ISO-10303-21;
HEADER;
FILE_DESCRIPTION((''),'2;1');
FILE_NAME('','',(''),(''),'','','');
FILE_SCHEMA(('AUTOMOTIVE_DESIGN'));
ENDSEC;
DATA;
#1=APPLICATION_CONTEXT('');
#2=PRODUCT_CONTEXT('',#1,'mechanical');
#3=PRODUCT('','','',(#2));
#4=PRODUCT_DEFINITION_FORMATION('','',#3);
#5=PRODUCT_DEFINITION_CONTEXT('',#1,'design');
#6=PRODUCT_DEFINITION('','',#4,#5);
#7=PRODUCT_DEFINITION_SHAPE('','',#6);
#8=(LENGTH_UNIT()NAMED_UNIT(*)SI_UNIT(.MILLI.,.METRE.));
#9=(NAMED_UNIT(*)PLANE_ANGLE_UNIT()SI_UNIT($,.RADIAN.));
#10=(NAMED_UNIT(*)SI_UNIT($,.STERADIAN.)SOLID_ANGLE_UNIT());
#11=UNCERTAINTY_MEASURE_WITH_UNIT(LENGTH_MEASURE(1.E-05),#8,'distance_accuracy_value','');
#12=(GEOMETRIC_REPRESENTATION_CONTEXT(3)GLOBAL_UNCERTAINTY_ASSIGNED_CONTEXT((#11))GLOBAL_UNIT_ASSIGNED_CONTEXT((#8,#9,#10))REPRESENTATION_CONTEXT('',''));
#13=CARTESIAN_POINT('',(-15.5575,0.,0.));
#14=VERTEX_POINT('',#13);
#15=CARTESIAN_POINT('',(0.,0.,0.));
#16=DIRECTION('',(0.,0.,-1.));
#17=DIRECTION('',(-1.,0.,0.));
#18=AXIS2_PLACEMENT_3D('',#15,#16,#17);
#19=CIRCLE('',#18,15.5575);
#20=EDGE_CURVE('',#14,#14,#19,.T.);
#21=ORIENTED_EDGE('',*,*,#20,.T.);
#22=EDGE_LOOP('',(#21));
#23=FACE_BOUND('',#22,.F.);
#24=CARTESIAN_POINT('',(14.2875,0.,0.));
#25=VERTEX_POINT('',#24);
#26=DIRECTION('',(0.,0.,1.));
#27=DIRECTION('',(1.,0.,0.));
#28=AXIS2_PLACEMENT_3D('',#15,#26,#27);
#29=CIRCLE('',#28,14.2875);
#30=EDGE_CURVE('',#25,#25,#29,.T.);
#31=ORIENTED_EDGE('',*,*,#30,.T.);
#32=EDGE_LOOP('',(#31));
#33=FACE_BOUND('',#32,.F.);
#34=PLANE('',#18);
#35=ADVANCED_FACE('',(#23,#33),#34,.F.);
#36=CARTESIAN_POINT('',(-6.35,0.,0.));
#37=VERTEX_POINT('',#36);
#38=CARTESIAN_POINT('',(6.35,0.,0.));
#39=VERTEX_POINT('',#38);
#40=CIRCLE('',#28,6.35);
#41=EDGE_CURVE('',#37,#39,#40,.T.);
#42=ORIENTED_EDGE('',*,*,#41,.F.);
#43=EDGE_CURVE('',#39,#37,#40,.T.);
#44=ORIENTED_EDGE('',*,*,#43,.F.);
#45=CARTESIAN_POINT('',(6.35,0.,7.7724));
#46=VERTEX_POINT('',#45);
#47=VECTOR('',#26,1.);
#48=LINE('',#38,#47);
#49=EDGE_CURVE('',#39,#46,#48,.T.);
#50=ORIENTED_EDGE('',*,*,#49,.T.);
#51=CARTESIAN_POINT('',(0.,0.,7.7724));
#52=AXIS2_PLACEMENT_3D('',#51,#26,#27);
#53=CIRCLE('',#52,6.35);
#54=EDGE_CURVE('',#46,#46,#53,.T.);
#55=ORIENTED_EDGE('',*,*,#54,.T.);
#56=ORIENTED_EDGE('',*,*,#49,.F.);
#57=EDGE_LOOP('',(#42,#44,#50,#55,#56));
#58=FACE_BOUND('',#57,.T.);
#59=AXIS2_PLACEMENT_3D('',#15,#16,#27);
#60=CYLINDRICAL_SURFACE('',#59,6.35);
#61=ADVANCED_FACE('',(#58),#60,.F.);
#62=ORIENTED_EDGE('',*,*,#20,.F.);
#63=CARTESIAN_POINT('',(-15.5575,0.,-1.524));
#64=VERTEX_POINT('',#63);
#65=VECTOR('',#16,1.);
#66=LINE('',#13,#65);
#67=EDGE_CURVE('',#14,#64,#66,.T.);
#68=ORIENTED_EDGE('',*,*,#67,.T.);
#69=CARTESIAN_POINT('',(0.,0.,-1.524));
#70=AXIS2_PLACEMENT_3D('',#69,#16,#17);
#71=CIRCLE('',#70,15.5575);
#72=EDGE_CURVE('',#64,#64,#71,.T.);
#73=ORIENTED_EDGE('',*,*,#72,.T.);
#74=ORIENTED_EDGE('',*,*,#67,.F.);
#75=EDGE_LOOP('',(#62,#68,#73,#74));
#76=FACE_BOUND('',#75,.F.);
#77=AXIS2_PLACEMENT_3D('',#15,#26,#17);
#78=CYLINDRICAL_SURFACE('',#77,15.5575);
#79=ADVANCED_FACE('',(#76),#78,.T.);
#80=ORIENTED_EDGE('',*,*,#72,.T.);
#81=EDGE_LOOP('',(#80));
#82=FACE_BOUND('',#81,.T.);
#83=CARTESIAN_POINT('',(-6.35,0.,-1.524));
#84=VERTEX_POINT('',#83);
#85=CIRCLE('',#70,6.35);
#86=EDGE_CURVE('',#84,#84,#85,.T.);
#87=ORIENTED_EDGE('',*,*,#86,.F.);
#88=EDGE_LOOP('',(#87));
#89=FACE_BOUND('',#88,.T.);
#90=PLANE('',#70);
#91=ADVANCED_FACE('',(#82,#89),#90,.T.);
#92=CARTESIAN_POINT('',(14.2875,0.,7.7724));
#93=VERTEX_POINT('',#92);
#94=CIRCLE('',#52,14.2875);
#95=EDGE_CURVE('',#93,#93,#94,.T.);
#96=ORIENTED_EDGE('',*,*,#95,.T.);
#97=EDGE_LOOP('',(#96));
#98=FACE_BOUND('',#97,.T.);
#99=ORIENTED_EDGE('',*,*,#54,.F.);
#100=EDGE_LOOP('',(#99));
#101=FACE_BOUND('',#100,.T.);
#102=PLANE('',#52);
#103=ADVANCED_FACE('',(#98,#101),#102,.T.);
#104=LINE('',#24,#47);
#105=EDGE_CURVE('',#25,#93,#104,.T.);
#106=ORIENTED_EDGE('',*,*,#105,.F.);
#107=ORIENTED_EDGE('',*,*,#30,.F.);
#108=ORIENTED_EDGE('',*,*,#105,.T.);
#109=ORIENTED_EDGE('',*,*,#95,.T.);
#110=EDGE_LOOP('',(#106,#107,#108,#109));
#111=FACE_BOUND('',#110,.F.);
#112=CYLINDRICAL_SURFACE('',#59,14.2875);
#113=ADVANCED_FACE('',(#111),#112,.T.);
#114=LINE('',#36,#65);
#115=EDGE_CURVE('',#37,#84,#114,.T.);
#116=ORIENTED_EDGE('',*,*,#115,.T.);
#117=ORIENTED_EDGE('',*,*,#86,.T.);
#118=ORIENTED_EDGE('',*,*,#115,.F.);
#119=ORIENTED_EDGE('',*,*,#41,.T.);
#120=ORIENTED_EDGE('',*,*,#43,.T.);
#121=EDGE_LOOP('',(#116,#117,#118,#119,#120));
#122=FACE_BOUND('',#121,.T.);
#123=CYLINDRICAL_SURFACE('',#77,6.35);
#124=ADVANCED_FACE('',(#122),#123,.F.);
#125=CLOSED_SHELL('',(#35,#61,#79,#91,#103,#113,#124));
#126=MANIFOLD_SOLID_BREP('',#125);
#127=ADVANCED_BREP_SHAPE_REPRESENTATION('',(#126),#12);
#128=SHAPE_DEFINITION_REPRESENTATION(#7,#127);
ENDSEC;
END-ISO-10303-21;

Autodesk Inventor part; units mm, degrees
ref_plane "YZ Plane" through (0, 0, 0) normal (1, 0, 0) x (0, 1, 0)
ref_plane "XZ Plane" through (0, 0, 0) normal (0, 1, 0) x (-1, 0, 0)
ref_plane "XY Plane" through (0, 0, 0) normal (0, 0, 1) x (1, 0, 0)
sketch "Sketch1" plane through (0, 0, 0) normal (0, 0, 1) x (1, 0, 0)
  circle A0 centre (0, 0) radius 14.2875
  circle A1 centre (0, 0) radius 6.35
  dimension "d0" = 28.575
  dimension "d1" = 12.7
extrude "Extrusion1" add sketch "Sketch1" along normal blind 7.7724
sketch "Sketch2" plane through (0, 0, 0) normal (0, 0, -1) x (-1, 0, 0)
  circle A0 centre (0, 0) radius 15.5575
  circle A1 centre (0, 0) radius 14.2875 projected
  circle A2 centre (0, 0) radius 6.35
  dimension "d4" = 31.115
  dimension "d5" = 12.7
extrude "Extrusion2" add sketch "Sketch2" along normal blind 1.524 contours A0 | A1
properties part number "bearing"
